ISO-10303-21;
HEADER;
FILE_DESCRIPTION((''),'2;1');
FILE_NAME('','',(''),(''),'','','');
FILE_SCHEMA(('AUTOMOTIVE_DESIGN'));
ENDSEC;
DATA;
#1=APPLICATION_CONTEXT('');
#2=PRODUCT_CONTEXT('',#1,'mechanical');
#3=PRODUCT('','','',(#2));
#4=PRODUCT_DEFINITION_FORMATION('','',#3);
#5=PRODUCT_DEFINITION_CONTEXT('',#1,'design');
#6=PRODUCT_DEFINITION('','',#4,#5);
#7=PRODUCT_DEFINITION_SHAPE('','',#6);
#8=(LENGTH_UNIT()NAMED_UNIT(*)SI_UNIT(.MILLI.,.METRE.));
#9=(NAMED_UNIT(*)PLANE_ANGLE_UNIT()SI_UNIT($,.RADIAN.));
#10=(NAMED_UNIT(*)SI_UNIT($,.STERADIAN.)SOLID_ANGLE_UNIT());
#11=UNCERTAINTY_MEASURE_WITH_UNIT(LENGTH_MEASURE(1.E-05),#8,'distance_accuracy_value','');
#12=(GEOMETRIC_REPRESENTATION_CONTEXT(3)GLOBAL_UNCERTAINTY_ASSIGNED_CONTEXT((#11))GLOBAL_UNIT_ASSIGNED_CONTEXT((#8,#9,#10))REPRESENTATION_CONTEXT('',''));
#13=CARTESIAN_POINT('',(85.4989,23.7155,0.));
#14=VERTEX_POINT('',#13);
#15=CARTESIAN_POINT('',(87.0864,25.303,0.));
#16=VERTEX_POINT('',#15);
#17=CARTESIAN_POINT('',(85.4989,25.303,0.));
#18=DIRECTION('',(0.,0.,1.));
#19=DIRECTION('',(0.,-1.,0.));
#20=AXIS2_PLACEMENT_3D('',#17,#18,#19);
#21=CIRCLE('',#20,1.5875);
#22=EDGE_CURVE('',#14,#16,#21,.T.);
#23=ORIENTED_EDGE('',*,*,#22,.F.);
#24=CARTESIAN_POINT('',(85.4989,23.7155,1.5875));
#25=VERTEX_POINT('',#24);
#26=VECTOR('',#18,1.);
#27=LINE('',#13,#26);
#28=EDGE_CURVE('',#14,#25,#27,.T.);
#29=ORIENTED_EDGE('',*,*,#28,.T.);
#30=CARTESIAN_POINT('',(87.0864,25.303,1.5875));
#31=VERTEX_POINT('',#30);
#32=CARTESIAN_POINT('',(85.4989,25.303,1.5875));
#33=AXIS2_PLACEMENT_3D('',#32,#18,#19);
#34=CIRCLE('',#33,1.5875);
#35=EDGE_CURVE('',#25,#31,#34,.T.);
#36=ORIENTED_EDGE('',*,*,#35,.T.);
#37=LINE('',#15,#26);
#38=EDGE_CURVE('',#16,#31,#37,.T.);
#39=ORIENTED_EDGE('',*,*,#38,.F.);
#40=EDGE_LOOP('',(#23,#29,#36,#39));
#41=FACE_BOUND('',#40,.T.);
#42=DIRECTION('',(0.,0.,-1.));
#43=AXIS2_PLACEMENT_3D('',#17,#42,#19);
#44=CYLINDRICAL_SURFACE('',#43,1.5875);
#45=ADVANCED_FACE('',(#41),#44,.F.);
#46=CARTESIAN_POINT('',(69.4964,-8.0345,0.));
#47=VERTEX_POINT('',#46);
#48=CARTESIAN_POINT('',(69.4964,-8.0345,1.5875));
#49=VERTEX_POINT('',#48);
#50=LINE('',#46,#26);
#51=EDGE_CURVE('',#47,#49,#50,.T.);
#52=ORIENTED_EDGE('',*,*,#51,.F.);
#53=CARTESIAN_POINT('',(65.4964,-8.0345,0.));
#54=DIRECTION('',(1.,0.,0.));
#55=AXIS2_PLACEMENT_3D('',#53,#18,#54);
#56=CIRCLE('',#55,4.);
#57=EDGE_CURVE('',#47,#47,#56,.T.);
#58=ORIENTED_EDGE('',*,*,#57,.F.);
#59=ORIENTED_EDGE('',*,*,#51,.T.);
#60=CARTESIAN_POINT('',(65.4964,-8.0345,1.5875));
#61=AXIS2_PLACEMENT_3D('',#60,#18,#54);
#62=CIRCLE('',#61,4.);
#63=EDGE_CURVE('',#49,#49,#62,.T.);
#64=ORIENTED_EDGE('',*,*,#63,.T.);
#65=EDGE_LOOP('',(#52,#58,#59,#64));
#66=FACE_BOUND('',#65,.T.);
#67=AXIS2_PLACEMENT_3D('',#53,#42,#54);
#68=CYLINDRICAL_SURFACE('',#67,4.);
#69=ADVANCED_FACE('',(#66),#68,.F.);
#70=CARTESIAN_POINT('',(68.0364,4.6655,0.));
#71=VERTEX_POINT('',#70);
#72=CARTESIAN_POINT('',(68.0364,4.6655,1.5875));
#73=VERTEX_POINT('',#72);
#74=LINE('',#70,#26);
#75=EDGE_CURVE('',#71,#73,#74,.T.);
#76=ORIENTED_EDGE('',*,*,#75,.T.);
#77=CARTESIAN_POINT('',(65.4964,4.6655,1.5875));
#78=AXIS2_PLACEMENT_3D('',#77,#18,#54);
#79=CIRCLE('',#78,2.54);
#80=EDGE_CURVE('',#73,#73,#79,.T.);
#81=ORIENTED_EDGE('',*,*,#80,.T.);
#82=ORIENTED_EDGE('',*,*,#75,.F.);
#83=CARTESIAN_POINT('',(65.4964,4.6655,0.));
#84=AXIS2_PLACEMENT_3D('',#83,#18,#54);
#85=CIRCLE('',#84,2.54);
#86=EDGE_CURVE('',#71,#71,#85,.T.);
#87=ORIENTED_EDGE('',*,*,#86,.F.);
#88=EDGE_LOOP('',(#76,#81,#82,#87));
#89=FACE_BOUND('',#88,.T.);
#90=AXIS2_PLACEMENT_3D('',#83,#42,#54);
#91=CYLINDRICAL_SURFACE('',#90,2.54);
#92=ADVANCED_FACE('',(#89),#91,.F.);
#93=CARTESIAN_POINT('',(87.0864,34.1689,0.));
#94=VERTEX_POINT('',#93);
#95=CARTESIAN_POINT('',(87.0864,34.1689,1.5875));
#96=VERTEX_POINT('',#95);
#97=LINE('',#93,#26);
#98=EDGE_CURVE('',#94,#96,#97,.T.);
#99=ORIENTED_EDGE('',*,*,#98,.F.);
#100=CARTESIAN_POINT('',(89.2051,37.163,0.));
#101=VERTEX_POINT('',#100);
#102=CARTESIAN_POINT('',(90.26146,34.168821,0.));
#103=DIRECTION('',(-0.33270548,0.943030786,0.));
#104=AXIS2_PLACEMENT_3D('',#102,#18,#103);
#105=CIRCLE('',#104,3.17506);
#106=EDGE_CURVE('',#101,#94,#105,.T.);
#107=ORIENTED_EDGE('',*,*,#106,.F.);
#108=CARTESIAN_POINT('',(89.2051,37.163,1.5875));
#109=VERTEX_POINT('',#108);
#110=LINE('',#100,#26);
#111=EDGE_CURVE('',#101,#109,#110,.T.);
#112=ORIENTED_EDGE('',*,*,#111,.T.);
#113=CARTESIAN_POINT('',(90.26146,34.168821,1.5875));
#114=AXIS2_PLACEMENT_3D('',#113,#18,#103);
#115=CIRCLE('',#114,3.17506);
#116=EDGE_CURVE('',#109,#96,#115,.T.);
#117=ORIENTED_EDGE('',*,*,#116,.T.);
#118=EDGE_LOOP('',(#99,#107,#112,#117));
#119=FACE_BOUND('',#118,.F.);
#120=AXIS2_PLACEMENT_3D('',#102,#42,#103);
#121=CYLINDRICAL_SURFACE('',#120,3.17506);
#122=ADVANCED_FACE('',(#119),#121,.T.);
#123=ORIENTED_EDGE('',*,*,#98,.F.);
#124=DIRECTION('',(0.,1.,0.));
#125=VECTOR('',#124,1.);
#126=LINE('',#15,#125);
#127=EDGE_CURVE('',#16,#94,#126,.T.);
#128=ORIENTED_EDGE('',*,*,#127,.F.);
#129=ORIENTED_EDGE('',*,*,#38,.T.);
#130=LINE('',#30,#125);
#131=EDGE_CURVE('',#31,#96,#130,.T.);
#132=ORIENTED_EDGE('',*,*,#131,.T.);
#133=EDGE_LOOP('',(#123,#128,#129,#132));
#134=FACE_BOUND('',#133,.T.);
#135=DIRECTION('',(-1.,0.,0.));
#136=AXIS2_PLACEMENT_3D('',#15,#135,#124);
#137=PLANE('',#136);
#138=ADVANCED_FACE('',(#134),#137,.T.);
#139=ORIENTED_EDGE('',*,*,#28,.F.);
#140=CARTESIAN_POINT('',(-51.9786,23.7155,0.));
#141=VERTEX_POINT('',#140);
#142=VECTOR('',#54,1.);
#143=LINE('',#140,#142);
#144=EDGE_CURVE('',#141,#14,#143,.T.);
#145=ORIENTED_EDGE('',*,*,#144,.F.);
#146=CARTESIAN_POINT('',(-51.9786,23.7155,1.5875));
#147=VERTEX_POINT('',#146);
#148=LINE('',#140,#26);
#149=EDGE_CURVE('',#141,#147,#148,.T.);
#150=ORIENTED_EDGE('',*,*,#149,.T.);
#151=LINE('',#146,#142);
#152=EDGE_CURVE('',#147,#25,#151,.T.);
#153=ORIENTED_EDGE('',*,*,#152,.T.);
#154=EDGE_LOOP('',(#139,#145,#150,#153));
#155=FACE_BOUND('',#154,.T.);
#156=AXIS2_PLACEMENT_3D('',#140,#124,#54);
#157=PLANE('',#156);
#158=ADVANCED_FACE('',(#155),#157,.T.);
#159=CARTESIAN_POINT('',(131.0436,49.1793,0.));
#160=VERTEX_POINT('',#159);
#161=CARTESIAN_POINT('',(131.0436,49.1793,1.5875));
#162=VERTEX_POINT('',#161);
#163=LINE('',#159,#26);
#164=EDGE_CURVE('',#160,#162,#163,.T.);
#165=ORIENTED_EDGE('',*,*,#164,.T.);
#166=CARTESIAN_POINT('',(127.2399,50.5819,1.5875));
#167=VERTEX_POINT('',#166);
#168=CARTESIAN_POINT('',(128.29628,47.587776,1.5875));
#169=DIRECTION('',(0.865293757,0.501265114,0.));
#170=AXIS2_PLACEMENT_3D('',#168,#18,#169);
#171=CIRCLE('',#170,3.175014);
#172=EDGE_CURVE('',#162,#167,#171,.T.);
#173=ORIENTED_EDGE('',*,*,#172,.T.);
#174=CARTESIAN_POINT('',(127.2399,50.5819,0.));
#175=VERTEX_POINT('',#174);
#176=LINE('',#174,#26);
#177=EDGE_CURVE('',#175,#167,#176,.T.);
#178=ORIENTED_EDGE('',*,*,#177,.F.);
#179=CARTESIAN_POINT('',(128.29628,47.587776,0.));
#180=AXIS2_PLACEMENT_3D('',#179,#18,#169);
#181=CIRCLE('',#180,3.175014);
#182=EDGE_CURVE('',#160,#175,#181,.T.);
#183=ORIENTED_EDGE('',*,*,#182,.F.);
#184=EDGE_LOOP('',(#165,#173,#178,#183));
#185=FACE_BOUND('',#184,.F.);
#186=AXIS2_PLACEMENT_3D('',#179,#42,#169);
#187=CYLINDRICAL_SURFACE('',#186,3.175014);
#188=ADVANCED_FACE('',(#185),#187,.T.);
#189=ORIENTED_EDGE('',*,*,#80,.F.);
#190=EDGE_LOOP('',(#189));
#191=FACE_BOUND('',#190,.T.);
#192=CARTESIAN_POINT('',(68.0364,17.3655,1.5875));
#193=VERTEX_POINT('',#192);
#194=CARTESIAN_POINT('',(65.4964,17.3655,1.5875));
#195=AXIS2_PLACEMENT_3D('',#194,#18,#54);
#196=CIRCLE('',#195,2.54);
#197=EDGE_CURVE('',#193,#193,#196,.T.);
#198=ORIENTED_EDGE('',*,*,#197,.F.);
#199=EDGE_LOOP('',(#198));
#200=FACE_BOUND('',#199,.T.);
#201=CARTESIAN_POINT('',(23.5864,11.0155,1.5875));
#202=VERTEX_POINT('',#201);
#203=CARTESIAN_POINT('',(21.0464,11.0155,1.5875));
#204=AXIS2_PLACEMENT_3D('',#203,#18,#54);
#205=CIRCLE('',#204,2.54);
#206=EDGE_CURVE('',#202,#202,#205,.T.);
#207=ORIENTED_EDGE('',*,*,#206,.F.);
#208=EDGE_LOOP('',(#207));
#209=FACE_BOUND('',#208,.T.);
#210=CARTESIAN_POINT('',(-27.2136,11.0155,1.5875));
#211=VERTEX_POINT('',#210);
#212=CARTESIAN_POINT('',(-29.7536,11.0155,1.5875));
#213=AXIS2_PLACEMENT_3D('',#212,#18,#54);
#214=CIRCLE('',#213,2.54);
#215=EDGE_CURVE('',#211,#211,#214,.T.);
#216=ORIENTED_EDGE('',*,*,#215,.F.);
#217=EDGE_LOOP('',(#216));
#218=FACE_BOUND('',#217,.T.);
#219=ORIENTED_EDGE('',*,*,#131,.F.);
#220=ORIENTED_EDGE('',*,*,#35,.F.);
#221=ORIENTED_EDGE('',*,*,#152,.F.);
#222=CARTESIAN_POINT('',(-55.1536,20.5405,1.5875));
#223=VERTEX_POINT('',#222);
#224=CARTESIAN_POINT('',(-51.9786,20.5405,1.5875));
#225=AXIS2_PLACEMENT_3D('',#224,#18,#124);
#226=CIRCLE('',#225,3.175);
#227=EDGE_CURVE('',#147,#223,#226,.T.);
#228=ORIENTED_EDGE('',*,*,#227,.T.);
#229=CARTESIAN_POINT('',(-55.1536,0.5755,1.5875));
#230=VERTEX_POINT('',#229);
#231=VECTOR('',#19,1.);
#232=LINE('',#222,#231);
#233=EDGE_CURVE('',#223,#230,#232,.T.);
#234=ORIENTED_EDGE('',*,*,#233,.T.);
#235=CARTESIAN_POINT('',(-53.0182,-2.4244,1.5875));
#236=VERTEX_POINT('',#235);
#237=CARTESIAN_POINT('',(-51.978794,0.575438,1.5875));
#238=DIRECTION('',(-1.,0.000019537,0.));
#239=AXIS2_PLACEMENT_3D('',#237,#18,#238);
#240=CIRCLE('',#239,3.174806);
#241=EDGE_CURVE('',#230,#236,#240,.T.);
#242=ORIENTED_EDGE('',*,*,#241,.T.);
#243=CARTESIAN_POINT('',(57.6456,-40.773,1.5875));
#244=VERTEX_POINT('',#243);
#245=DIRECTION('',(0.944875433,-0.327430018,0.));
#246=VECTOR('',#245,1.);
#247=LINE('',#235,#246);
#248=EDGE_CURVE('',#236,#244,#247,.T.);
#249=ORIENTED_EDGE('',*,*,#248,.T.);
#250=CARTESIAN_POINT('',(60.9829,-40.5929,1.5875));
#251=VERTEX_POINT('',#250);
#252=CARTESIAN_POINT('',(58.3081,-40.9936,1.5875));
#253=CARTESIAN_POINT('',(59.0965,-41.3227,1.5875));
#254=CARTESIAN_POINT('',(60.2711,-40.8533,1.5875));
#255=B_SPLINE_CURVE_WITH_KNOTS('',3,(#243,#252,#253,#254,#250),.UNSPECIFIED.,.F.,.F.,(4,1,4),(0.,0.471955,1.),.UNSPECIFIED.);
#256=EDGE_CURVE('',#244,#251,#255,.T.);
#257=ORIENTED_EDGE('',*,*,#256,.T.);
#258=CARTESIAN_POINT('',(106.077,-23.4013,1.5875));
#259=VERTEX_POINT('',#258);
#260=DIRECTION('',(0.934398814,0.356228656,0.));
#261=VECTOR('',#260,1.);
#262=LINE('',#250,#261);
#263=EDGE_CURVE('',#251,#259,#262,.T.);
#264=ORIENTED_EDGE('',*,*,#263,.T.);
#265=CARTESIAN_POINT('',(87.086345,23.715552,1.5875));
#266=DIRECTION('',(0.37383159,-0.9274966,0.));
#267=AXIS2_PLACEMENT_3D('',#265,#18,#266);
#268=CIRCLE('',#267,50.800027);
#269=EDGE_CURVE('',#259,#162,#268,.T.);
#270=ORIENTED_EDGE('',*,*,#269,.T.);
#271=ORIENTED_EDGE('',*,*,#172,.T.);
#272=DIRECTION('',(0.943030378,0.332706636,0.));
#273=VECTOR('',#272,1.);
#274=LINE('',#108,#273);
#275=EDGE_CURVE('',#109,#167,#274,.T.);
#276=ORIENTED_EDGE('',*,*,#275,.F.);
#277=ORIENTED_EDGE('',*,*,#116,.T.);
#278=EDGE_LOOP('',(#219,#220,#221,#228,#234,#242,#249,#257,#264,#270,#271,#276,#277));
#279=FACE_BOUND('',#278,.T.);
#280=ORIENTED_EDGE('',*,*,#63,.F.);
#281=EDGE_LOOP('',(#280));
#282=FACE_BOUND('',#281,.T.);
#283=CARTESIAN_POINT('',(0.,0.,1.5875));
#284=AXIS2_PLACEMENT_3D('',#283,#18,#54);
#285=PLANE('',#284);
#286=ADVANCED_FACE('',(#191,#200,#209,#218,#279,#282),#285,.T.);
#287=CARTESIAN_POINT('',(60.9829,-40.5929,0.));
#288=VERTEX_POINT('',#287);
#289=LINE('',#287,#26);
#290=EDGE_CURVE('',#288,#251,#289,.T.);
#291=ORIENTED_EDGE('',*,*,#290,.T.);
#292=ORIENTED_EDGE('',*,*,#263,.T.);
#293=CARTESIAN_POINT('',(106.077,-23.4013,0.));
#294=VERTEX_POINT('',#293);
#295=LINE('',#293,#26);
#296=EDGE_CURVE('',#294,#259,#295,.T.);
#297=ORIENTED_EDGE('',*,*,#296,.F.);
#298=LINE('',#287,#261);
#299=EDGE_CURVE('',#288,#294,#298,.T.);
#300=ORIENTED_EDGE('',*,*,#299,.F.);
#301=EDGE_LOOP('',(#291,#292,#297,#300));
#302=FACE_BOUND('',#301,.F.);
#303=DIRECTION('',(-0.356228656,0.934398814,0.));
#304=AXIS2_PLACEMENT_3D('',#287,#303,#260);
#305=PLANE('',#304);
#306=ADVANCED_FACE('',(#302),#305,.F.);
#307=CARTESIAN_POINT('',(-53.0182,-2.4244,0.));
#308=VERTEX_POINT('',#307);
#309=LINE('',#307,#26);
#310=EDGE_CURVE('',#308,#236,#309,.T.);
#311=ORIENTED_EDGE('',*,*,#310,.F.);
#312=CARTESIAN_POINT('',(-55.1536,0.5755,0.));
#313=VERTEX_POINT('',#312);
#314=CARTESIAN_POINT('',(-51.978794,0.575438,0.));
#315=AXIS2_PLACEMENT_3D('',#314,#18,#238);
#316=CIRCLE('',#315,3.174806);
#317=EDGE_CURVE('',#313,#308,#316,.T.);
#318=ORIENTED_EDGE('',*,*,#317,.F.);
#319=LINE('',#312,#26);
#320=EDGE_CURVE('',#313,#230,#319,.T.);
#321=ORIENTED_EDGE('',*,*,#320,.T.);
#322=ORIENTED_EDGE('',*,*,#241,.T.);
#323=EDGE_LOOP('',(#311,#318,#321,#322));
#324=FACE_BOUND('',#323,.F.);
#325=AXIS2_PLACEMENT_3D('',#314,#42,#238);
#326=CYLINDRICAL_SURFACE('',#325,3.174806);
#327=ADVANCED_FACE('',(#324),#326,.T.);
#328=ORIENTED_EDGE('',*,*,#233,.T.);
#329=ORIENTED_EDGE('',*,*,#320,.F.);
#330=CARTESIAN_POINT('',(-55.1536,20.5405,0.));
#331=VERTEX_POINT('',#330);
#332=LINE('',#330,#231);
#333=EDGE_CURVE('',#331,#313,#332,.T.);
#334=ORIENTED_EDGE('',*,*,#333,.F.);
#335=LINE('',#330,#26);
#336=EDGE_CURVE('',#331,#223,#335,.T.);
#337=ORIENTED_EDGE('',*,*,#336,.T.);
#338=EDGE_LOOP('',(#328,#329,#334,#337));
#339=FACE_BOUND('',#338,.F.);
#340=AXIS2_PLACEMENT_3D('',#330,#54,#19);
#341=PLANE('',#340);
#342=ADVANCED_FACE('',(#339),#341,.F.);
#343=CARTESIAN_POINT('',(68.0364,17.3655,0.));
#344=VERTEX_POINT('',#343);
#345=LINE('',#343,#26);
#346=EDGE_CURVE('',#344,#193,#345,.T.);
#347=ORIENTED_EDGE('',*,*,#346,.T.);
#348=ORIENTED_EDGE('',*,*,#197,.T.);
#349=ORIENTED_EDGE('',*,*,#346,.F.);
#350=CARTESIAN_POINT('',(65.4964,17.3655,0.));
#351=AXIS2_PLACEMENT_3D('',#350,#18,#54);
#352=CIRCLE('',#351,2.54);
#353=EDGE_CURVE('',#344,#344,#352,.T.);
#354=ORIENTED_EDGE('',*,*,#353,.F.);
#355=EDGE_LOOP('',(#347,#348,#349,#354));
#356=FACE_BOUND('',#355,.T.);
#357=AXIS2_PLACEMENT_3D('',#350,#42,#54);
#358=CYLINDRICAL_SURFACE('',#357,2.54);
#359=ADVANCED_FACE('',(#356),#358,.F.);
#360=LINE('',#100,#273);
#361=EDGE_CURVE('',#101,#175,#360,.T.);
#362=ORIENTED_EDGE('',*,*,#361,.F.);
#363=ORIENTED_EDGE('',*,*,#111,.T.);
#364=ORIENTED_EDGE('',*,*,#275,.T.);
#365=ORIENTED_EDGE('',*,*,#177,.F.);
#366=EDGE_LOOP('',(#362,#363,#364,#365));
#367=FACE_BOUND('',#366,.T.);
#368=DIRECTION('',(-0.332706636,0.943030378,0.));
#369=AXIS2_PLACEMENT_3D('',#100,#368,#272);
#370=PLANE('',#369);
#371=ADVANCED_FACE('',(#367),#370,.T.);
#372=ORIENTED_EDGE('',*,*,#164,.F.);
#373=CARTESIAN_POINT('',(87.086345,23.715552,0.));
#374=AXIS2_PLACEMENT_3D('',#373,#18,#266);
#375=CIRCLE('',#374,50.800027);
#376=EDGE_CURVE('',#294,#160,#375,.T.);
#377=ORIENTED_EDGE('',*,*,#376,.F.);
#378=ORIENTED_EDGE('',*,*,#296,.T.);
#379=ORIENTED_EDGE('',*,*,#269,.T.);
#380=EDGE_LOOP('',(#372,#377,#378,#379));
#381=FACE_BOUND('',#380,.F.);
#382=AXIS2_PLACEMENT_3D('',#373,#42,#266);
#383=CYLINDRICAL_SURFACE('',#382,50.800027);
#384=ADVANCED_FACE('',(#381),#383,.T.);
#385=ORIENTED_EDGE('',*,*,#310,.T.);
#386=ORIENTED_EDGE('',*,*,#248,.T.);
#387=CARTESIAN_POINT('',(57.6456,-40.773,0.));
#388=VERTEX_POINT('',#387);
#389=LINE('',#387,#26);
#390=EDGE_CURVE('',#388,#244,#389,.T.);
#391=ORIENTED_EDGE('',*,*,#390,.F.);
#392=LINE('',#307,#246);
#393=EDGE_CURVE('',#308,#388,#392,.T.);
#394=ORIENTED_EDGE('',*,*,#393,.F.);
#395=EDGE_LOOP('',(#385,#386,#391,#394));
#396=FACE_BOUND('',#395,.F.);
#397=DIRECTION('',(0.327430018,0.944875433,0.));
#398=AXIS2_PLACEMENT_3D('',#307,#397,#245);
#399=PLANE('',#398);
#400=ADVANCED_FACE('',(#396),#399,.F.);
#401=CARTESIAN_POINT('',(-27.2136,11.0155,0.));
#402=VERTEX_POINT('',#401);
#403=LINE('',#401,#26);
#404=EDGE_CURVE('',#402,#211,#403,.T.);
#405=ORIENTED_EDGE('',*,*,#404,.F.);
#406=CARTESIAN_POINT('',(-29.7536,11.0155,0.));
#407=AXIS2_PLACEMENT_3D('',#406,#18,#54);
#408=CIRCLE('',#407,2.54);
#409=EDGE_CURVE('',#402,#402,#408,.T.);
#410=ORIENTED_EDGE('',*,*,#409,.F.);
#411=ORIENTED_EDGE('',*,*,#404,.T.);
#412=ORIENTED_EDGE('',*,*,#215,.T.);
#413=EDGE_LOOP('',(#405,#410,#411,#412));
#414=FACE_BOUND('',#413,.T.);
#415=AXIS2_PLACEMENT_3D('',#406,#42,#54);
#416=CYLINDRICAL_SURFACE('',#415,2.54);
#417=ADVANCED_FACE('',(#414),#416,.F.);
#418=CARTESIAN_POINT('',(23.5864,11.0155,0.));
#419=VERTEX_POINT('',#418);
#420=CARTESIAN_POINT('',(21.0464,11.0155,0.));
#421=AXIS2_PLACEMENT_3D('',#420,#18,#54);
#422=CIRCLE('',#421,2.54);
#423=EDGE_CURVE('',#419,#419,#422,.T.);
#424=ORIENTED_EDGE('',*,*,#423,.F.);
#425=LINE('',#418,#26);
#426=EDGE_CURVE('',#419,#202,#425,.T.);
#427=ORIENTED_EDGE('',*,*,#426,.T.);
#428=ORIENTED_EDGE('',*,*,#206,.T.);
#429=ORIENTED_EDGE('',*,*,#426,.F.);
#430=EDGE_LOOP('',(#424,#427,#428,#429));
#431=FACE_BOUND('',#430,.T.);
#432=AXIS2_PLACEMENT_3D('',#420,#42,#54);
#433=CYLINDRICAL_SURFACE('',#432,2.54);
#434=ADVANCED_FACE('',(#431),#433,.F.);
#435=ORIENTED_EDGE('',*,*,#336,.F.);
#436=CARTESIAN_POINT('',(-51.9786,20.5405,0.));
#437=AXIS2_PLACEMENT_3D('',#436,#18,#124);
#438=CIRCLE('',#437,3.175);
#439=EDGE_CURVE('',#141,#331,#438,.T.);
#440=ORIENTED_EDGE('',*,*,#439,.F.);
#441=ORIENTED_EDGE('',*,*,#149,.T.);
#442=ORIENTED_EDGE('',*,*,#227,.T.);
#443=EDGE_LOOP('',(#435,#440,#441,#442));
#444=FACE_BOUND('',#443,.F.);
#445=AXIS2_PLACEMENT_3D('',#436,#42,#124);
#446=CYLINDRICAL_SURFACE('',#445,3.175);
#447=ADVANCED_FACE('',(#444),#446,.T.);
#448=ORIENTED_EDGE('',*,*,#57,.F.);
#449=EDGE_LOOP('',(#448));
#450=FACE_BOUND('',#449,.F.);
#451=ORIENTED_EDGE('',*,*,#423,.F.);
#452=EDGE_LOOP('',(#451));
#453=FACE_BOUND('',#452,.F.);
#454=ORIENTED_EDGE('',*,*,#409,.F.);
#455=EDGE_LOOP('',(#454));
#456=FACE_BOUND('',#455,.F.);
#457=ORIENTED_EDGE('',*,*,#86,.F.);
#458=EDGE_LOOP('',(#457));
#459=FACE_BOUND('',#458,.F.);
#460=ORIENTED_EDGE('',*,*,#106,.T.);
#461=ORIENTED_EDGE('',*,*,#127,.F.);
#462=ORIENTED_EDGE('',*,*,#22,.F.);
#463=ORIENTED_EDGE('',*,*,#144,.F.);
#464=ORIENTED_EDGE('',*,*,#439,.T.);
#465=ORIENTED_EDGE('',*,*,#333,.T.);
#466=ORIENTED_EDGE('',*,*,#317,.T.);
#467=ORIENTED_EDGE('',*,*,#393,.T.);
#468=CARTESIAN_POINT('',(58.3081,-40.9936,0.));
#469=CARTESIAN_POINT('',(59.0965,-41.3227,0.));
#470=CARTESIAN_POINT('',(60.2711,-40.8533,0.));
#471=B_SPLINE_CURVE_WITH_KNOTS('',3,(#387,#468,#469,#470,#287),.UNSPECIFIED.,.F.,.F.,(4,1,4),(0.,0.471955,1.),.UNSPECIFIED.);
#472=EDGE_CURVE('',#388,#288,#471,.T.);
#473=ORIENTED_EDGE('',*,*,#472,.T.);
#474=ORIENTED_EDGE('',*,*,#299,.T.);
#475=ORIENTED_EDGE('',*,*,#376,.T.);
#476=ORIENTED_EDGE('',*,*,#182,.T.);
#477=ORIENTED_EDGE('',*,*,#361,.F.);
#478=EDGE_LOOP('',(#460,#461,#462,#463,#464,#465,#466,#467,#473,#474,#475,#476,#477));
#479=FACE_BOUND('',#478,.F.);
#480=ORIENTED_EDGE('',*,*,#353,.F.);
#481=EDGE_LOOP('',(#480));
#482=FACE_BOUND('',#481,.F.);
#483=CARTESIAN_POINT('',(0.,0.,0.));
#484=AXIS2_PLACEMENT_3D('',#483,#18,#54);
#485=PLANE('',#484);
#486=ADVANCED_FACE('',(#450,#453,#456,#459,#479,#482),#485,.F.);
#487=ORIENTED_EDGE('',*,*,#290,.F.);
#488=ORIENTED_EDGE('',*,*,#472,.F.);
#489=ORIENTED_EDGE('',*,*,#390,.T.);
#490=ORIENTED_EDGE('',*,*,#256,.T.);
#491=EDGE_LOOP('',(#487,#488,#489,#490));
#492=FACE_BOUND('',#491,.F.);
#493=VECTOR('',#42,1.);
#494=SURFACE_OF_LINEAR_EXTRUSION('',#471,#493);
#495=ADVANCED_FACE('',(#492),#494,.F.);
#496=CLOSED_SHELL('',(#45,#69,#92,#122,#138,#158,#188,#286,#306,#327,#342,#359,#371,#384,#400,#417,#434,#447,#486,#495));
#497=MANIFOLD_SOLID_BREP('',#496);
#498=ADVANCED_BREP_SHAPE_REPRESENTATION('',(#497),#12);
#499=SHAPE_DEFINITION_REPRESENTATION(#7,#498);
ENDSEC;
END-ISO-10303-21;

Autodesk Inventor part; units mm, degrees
ref_plane "YZ Plane" through (0, 0, 0) normal (1, 0, 0) x (0, 1, 0)
ref_plane "XZ Plane" through (0, 0, 0) normal (0, 1, 0) x (-1, 0, 0)
ref_plane "XY Plane" through (0, 0, 0) normal (0, 0, 1) x (1, 0, 0)
sketch "Sketch1" plane through (0, 0, 0) normal (0, 0, 1) x (1, 0, 0)
  spline S0 degree 3 poles (57.6456, -40.773) (58.3081, -40.9936) (59.0965, -41.3227) (60.2711, -40.8533) (60.9829, -40.5929) knots 0 0 0 0 0.471955 1 1 1 1
  line L0 (57.6456, -40.773) -> (58.3081, -40.9936) construction
  line L1 (58.3081, -40.9936) -> (59.0965, -41.3227) construction
  line L2 (59.0965, -41.3227) -> (60.2711, -40.8533) construction
  line L3 (60.2711, -40.8533) -> (60.9829, -40.5929) construction
  circle A0 centre (65.4964, 17.3655) radius 2.54
  circle A1 centre (65.4964, 4.6655) radius 2.54
  circle A2 centre (65.4964, -8.0345) radius 4
  circle A3 centre (21.0464, 11.0155) radius 2.54
  arc A4 (106.077, -23.4013) -> (131.0436, 49.1793) centre (87.0864, 23.7155) ccw
  line L4 (87.0864, 25.303) -> (87.0864, 34.1689)
  line L5 (89.2051, 37.163) -> (127.2399, 50.5819)
  circle A5 centre (-29.7536, 11.0155) radius 2.54
  line L6 (-51.9786, 23.7155) -> (85.4989, 23.7155)
  line L7 (60.9829, -40.5929) -> (106.077, -23.4013)
  line L8 (-55.1536, 20.5405) -> (-55.1536, 0.5755)
  line L9 (-53.0182, -2.4244) -> (57.6456, -40.773)
  arc A6 (-51.9786, 23.7155) -> (-55.1536, 20.5405) centre (-51.9786, 20.5405) ccw
  arc A7 (-55.1536, 0.5755) -> (-53.0182, -2.4244) centre (-51.9786, 0.5755) ccw
  arc A8 (131.0436, 49.1793) -> (127.2399, 50.5819) centre (128.2963, 47.5878) ccw
  arc A9 (89.2051, 37.163) -> (87.0864, 34.1689) centre (90.2614, 34.1689) ccw
  arc A10 (85.4989, 23.7155) -> (87.0864, 25.303) centre (85.4989, 25.303) ccw
  point P0 (129.6573, 51.4348)
  point P1 (129.6573, 51.4348)
  point P2 (-55.1536, 23.7155)
  point P3 (-55.1536, -1.6845)
  point P4 (60.9902, -40.5901)
  point P5 (129.6573, 51.4348)
  point P6 (87.0864, 36.4155)
  point P7 (60.9829, -40.5929)
  dimension "d2" = 3.175
  dimension "d3" = 1.5875
extrude "Extrusion1" add sketch "Sketch1" along normal blind 1.5875
properties part number "intake_sled"
